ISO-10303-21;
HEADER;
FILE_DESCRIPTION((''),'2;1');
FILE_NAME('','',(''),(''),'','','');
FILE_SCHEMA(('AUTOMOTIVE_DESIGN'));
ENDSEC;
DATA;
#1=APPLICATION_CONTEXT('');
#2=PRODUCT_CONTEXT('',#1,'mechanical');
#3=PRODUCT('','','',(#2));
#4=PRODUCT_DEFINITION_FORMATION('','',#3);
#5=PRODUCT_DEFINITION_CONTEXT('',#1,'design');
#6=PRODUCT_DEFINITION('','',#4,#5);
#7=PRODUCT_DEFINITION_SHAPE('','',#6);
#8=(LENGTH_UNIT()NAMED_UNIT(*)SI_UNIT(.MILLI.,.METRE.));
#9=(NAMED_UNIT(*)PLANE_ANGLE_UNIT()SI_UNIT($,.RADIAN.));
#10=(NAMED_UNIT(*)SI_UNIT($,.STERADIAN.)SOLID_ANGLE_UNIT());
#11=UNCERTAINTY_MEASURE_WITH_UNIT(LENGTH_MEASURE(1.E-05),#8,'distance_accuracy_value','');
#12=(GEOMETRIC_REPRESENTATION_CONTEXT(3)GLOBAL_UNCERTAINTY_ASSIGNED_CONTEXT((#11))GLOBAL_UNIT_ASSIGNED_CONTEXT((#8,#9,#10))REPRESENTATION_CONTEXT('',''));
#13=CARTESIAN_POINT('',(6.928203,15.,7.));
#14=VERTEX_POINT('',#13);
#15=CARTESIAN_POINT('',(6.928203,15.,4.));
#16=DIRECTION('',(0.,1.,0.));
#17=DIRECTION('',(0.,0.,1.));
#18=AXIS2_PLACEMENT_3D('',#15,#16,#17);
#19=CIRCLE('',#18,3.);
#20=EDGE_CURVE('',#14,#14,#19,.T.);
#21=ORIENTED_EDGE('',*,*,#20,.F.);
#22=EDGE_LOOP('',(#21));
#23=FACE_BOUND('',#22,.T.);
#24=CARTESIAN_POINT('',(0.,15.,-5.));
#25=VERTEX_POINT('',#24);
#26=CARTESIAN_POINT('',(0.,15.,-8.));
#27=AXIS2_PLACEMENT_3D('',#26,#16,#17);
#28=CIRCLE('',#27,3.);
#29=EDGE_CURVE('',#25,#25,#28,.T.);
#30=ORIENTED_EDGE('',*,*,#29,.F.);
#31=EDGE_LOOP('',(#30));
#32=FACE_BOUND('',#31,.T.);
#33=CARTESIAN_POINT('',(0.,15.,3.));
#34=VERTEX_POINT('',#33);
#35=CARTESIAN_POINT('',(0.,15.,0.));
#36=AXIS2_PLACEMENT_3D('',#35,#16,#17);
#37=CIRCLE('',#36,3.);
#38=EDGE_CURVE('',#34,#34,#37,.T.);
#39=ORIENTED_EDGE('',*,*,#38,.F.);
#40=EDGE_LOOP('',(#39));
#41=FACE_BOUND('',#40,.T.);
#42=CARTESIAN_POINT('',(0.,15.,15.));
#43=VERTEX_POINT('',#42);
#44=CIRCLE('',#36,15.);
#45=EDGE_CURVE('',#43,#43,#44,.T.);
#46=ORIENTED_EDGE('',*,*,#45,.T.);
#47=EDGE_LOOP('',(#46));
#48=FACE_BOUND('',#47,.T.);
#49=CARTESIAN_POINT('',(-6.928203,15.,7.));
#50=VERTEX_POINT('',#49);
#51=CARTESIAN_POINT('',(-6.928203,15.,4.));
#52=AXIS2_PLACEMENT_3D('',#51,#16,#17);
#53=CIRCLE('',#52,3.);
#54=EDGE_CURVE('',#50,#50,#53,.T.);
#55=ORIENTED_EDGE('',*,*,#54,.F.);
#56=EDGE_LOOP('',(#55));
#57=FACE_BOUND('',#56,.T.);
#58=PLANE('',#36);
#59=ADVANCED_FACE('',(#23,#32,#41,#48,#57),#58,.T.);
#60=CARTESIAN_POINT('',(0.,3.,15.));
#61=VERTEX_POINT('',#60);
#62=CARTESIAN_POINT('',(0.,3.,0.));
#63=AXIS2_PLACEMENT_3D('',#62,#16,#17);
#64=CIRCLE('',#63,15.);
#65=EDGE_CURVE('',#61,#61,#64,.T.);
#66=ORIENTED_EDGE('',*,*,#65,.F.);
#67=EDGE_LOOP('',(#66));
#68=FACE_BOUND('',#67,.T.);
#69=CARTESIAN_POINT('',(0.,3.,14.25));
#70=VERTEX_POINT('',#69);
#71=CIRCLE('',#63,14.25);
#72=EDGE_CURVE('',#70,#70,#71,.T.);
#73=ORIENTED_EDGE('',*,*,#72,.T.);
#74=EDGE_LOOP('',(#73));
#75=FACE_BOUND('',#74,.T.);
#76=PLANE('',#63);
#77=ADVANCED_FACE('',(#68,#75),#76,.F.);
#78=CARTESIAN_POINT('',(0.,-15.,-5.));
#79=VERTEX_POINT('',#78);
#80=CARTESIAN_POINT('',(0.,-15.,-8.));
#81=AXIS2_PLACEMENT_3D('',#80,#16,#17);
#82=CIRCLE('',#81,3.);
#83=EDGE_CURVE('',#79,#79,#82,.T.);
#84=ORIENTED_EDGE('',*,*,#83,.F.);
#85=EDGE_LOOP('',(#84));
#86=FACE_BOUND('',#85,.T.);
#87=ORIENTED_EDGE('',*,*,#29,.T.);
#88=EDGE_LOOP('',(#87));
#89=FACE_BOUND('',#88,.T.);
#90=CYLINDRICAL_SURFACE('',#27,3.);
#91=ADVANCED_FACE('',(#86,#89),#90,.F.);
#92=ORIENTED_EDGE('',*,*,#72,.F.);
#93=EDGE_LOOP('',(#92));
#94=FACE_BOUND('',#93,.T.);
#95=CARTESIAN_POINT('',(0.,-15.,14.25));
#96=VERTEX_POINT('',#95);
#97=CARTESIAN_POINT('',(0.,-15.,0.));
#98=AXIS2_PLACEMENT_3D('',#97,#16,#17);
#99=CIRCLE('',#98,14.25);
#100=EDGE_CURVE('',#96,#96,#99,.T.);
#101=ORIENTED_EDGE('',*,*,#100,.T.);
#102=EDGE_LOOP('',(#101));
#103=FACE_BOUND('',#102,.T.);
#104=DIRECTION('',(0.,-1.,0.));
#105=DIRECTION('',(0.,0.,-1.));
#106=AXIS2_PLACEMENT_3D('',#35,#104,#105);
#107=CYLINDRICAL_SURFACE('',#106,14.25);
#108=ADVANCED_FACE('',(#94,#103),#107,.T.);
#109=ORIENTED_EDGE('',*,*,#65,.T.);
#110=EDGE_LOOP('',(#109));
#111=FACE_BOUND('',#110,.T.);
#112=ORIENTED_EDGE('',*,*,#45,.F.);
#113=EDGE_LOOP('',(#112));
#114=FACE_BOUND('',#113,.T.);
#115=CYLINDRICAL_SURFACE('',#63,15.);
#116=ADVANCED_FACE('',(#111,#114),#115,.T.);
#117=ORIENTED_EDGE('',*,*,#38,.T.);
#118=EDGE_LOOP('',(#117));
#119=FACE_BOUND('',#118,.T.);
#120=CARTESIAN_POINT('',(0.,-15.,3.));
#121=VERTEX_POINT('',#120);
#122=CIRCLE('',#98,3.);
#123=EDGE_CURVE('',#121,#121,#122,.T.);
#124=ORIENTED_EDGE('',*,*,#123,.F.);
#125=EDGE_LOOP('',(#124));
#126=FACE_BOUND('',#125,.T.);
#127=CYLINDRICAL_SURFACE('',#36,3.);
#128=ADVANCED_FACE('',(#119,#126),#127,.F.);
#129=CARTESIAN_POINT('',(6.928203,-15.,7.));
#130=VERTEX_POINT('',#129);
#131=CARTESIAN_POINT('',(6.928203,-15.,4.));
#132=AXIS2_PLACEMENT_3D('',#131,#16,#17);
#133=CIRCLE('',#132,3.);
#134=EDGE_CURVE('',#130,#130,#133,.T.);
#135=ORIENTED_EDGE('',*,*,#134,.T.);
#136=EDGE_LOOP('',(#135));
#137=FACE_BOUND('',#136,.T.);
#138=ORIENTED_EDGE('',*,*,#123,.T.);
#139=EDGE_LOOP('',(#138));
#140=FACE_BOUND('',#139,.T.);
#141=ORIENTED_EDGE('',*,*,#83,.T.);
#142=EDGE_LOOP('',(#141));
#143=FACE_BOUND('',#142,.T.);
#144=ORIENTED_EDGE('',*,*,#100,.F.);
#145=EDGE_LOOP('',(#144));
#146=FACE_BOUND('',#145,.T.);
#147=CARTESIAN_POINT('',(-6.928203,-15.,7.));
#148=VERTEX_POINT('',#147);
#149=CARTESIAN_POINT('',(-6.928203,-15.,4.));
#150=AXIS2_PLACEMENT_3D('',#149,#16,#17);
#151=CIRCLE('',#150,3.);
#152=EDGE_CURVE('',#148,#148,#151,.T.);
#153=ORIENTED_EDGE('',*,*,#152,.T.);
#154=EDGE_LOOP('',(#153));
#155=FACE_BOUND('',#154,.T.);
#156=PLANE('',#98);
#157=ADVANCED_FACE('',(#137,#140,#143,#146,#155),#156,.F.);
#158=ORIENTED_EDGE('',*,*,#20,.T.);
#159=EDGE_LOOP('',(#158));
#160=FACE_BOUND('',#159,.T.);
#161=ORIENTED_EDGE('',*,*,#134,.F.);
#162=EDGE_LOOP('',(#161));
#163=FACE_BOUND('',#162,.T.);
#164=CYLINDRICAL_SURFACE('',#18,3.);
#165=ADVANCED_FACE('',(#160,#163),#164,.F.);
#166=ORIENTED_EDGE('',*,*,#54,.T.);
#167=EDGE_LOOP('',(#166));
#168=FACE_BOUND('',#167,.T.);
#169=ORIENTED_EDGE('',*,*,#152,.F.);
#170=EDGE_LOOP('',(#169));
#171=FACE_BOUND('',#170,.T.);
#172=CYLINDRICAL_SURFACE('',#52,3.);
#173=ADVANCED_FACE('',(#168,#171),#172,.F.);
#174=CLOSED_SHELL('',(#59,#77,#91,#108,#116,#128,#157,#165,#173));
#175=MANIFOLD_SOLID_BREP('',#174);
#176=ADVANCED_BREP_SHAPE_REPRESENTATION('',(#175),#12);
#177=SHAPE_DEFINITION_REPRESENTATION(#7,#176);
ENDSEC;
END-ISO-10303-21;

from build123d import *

# Parameters (mm, degrees)
SKETCH_1_R               = 14.25
EXTRUDE_1_DEPTH          = 15
HOLE_WIZARD_6_0_6_1_D    = 6
HOLE_WIZARD_6_0_6_2_D    = 6
PATTERN_CIRCULAR_1_COUNT = 3
SKETCH_6_R               = 15
SKETCH_6_R_2             = 14.25
EXTRUDE_2_DEPTH          = 12


with BuildPart() as part:
    # 스케치1 → 보스-돌출1 (new, symmetric)
    with BuildSketch(Plane(origin=(0, 0, 0), x_dir=(1, 0, 0), z_dir=(0, 1, 0))):
        with Locations(Location((0, 0, 0), (0, 0, 270))):
            Circle(SKETCH_1_R)
    extrude(amount=EXTRUDE_1_DEPTH, both=True)

    # Ø6.0 (6) 지름 구멍1 (through all)
    with Locations(Plane(origin=(0, 15, 0), x_dir=(1, 0, 0), z_dir=(0, 1, 0))):
        with Locations((0, 0)):
            Hole(HOLE_WIZARD_6_0_6_1_D / 2)

    # Ø6.0 (6) 지름 구멍2 (through all)
    with Locations(Plane(origin=(0, 15, 0), x_dir=(1, 0, 0), z_dir=(0, 1, 0))):
        with Locations((0, 8)):
            hole_wizard_6_0_6_2 = Hole(HOLE_WIZARD_6_0_6_2_D / 2)

    # 원형 패턴1: Ø6.0 (6) 지름 구멍2 ×3 about axis
    pattern_circular_1_axis = Axis((0, 0, 0), (0, 1, 0))
    for i in range(1, PATTERN_CIRCULAR_1_COUNT):
        add(hole_wizard_6_0_6_2.rotate(pattern_circular_1_axis, i * 360 / PATTERN_CIRCULAR_1_COUNT), mode=Mode.SUBTRACT)

    # 스케치6 → 보스-돌출2 (add)
    with BuildSketch(Plane(origin=(0, 15, 0), x_dir=(1, 0, 0), z_dir=(0, 1, 0))):
        with Locations(Location((0, 0, 0), (0, 0, 270))):
            Circle(SKETCH_6_R)
        with Locations(Location((0, 0, 0), (0, 0, 270))):
            Circle(SKETCH_6_R_2, mode=Mode.SUBTRACT)
    extrude(amount=-EXTRUDE_2_DEPTH)


solid = part.part
